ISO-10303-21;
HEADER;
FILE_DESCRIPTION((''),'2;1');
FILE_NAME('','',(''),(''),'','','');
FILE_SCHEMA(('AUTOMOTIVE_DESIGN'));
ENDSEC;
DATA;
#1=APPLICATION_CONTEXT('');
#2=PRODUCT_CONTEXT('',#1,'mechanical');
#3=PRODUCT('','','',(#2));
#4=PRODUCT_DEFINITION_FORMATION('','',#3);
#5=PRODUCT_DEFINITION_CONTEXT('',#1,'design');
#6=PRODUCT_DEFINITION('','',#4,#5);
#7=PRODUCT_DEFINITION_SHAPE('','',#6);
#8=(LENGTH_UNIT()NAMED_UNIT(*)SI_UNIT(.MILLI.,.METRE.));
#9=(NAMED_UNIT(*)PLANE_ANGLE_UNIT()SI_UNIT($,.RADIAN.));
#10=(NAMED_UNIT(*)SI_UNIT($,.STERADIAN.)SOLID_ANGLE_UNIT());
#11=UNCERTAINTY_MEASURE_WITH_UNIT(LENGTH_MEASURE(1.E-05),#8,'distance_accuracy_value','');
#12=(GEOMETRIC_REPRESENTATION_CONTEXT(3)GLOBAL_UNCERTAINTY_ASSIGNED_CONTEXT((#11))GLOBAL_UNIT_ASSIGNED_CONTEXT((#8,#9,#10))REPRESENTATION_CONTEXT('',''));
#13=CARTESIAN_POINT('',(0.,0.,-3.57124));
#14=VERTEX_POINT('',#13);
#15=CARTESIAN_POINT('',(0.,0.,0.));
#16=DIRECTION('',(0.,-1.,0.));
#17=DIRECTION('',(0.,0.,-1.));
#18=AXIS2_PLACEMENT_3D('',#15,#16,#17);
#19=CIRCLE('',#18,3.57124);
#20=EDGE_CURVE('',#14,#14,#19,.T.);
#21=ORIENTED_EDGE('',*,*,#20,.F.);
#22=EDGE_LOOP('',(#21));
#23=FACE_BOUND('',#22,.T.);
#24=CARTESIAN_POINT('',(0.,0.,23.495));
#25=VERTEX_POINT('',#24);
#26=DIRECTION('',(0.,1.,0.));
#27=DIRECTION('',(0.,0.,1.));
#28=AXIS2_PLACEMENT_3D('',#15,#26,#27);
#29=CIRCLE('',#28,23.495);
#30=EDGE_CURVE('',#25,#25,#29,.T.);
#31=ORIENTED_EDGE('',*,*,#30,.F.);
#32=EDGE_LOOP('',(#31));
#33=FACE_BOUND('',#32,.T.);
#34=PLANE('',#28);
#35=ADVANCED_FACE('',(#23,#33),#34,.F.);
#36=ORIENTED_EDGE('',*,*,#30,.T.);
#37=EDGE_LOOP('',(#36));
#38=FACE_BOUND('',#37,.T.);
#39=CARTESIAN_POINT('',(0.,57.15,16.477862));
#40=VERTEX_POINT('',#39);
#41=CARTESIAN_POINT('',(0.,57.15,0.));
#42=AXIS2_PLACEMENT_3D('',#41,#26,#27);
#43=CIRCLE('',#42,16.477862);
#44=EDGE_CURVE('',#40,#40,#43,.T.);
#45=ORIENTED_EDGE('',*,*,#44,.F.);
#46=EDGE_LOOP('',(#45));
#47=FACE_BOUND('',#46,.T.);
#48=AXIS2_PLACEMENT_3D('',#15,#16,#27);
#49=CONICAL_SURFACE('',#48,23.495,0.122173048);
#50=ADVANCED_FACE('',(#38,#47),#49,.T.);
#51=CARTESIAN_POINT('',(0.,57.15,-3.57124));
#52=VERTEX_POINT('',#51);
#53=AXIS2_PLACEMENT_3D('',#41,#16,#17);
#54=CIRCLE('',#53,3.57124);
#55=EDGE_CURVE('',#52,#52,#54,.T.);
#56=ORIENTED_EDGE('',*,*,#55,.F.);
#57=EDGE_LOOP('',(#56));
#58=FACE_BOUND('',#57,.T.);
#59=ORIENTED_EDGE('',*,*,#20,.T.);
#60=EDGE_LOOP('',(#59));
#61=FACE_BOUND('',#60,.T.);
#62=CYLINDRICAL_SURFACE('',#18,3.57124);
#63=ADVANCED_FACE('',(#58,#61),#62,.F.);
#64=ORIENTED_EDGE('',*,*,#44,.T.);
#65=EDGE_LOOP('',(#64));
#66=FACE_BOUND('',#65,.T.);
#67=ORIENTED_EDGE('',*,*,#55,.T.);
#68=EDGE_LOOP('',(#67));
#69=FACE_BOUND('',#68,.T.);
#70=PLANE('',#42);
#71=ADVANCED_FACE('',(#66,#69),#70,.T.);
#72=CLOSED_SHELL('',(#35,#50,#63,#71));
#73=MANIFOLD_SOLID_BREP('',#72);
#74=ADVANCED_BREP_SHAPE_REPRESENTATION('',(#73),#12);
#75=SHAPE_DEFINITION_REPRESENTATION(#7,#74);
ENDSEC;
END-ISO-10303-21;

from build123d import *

# Parameters (mm, degrees)
SKETCH1_R               = 23.495
BOSS_EXTRUDE1_DEPTH     = 57.15
BOSS_EXTRUDE1_TAPER     = 7
F_1_4_CLEARANCE_HOLE1_D = 7.14248


with BuildPart() as part:
    # Sketch1 → Boss-Extrude1 (new body)
    with BuildSketch(Plane(origin=(0, 0, 0), x_dir=(1, 0, 0), z_dir=(0, 1, 0))):
        Circle(SKETCH1_R)
    extrude(amount=BOSS_EXTRUDE1_DEPTH, taper=BOSS_EXTRUDE1_TAPER)

    # 1/4 Clearance Hole1 (through all)
    with Locations(Plane(origin=(0, 0, 0), x_dir=(-1, 0, 0), z_dir=(0, -1, 0))):
        with Locations((0, 0)):
            Hole(F_1_4_CLEARANCE_HOLE1_D / 2)


solid = part.part
